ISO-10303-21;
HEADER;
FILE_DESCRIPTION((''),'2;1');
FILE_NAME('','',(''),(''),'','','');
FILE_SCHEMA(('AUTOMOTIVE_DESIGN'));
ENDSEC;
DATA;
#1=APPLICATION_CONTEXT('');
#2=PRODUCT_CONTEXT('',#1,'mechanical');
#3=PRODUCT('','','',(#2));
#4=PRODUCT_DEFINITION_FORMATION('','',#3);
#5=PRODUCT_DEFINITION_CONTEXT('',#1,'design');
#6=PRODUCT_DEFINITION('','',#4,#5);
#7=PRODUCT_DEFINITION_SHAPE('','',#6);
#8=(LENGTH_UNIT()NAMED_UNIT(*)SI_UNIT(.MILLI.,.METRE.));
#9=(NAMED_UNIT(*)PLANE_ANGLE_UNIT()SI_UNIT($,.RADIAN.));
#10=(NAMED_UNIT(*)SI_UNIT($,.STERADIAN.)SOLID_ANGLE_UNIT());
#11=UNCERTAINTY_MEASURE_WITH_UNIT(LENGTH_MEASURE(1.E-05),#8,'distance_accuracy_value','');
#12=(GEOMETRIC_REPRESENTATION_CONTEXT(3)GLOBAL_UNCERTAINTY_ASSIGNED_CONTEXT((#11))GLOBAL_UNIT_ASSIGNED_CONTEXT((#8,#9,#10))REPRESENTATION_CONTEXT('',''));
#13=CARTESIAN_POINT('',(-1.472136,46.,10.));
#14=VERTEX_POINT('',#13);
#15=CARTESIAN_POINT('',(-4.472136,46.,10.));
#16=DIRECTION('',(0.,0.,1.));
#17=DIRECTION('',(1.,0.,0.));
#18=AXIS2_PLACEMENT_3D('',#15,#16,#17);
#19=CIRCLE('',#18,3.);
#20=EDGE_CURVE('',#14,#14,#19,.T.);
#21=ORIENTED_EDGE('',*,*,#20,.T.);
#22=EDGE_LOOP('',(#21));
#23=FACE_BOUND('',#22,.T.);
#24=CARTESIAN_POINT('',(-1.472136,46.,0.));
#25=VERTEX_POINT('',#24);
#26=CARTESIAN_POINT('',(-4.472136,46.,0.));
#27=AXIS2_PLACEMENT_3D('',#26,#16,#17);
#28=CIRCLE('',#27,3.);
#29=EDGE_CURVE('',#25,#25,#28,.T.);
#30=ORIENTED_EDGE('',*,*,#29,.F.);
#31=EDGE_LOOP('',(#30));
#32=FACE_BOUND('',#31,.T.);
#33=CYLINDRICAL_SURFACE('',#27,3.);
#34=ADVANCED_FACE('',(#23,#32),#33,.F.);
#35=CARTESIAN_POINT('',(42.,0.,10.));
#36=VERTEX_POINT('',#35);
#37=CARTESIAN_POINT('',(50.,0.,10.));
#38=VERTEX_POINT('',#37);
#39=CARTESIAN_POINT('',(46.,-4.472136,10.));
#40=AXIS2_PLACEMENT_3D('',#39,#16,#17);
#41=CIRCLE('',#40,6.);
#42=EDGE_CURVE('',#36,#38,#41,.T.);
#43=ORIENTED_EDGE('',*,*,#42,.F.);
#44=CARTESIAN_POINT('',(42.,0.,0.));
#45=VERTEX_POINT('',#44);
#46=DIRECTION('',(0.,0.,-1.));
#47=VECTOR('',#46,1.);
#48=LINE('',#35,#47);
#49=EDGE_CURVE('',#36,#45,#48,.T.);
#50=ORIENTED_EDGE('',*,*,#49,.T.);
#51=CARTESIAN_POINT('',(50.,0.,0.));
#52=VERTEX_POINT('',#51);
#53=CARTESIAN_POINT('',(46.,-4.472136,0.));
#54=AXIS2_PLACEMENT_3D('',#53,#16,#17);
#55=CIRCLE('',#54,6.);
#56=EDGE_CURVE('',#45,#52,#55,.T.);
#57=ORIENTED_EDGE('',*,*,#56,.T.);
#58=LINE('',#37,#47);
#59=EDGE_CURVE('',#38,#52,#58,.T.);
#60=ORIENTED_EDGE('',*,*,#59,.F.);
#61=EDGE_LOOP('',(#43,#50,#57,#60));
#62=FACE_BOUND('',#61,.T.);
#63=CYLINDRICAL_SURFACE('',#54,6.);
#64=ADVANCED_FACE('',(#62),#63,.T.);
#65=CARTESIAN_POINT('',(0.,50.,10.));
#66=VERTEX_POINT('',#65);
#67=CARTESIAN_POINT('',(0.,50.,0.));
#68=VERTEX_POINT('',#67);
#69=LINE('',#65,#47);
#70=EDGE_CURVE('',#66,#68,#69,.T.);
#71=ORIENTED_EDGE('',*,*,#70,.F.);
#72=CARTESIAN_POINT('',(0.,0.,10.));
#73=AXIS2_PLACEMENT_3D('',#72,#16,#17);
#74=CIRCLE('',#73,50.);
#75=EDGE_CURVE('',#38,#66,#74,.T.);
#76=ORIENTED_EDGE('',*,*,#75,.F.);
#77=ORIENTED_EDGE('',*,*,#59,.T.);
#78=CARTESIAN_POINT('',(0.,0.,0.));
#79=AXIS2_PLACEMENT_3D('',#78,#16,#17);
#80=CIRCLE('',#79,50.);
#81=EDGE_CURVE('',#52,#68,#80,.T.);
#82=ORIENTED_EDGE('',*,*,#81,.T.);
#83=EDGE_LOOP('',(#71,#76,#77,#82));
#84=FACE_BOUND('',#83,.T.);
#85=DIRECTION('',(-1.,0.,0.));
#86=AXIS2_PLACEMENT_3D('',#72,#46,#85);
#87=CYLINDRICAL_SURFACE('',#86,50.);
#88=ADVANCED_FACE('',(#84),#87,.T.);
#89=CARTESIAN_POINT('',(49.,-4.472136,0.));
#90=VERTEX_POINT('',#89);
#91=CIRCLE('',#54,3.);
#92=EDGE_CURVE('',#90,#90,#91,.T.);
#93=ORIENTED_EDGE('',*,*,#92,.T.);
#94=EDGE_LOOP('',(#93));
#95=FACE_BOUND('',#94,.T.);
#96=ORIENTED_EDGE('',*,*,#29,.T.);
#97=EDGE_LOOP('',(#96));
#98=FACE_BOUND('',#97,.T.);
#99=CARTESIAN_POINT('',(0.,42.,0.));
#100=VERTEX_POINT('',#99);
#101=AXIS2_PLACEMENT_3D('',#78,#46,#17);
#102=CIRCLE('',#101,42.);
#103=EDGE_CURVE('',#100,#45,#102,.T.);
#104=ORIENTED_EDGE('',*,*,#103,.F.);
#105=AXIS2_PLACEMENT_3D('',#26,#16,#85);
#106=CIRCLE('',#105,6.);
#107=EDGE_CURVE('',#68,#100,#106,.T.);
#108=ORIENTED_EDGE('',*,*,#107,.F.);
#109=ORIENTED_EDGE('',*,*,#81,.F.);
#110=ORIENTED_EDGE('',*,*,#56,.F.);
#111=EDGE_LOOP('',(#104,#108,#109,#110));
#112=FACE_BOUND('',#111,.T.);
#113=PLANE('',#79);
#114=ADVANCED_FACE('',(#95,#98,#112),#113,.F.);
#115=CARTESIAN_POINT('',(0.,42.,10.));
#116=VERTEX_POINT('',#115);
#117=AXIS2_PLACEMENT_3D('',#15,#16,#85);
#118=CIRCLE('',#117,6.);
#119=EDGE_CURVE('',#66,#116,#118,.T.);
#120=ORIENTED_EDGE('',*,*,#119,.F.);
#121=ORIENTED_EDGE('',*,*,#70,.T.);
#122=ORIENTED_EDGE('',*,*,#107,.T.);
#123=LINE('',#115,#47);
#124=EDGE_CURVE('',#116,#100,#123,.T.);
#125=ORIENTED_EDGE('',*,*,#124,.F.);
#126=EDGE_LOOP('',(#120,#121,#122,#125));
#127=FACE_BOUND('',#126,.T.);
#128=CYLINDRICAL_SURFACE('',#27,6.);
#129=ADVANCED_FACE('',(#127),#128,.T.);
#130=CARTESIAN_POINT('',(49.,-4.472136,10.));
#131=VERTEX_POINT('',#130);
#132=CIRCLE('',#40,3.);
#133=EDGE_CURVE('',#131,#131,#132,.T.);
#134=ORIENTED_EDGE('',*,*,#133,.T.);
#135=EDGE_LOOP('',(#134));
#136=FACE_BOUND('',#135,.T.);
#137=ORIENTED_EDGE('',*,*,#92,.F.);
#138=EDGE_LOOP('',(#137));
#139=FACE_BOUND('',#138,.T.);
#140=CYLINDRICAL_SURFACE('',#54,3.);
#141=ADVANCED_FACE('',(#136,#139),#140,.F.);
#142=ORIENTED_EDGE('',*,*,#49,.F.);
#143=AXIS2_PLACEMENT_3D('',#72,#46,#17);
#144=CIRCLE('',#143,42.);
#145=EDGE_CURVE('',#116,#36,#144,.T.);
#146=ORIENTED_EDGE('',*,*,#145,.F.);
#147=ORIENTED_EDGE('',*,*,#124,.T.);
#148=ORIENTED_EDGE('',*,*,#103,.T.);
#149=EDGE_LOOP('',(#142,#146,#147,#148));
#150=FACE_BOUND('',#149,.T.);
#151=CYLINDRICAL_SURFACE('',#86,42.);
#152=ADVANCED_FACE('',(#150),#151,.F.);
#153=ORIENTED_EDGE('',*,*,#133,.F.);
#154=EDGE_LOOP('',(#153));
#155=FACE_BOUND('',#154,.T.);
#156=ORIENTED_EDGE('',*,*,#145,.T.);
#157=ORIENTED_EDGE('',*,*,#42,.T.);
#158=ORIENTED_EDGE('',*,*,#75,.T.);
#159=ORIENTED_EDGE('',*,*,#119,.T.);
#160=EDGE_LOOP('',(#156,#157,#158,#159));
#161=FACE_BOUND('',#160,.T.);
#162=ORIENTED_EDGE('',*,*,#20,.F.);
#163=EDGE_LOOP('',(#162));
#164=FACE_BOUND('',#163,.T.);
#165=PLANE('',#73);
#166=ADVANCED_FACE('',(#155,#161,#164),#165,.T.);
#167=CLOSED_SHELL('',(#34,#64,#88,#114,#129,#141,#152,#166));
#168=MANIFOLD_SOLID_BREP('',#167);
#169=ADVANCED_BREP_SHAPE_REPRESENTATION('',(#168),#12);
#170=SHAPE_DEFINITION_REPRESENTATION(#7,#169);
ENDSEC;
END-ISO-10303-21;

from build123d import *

# Parameters (mm, degrees)
BOSS_EXTRU_1_DEPTH      = 10
BOSS_EXTRU_2_DEPTH      = 10
ESQUISSE3_R             = 3
ENL_V_MAT_EXTRU_1_DEPTH = 10


with BuildPart() as part:
    # Esquisse1 → Boss.-Extru.1 (new body)
    with BuildSketch(Plane.XY):
        with BuildLine():
            Line((0, 42), (0, 50))
            ThreePointArc((0, 50), (35.355339059, 35.355339059), (50, 0))
            Line((50, 0), (42, 0))
            ThreePointArc((42, 0), (29.69848481, 29.69848481), (0, 42))
        make_face()
    extrude(amount=BOSS_EXTRU_1_DEPTH)

    # Esquisse2 → Boss.-Extru.2 (add)
    with BuildSketch(Plane.XY.offset(10)):
        with BuildLine():
            Line((0, 42), (0, 50))
            ThreePointArc((0, 50), (-10.472135955, 46), (0, 42))
        make_face()
        with BuildLine():
            Line((42, 0), (50, 0))
            ThreePointArc((50, 0), (46, -10.472135955), (42, 0))
        make_face()
    extrude(amount=-BOSS_EXTRU_2_DEPTH)

    # Esquisse3 → Enlèv. mat.-Extru.1 (cut)
    with BuildSketch(Plane.XY.offset(10)):
        with Locations((46, -4.472135955)):
            Circle(ESQUISSE3_R)
        with Locations((-4.472135955, 46)):
            Circle(ESQUISSE3_R)
    extrude(amount=-ENL_V_MAT_EXTRU_1_DEPTH, mode=Mode.SUBTRACT)


solid = part.part
